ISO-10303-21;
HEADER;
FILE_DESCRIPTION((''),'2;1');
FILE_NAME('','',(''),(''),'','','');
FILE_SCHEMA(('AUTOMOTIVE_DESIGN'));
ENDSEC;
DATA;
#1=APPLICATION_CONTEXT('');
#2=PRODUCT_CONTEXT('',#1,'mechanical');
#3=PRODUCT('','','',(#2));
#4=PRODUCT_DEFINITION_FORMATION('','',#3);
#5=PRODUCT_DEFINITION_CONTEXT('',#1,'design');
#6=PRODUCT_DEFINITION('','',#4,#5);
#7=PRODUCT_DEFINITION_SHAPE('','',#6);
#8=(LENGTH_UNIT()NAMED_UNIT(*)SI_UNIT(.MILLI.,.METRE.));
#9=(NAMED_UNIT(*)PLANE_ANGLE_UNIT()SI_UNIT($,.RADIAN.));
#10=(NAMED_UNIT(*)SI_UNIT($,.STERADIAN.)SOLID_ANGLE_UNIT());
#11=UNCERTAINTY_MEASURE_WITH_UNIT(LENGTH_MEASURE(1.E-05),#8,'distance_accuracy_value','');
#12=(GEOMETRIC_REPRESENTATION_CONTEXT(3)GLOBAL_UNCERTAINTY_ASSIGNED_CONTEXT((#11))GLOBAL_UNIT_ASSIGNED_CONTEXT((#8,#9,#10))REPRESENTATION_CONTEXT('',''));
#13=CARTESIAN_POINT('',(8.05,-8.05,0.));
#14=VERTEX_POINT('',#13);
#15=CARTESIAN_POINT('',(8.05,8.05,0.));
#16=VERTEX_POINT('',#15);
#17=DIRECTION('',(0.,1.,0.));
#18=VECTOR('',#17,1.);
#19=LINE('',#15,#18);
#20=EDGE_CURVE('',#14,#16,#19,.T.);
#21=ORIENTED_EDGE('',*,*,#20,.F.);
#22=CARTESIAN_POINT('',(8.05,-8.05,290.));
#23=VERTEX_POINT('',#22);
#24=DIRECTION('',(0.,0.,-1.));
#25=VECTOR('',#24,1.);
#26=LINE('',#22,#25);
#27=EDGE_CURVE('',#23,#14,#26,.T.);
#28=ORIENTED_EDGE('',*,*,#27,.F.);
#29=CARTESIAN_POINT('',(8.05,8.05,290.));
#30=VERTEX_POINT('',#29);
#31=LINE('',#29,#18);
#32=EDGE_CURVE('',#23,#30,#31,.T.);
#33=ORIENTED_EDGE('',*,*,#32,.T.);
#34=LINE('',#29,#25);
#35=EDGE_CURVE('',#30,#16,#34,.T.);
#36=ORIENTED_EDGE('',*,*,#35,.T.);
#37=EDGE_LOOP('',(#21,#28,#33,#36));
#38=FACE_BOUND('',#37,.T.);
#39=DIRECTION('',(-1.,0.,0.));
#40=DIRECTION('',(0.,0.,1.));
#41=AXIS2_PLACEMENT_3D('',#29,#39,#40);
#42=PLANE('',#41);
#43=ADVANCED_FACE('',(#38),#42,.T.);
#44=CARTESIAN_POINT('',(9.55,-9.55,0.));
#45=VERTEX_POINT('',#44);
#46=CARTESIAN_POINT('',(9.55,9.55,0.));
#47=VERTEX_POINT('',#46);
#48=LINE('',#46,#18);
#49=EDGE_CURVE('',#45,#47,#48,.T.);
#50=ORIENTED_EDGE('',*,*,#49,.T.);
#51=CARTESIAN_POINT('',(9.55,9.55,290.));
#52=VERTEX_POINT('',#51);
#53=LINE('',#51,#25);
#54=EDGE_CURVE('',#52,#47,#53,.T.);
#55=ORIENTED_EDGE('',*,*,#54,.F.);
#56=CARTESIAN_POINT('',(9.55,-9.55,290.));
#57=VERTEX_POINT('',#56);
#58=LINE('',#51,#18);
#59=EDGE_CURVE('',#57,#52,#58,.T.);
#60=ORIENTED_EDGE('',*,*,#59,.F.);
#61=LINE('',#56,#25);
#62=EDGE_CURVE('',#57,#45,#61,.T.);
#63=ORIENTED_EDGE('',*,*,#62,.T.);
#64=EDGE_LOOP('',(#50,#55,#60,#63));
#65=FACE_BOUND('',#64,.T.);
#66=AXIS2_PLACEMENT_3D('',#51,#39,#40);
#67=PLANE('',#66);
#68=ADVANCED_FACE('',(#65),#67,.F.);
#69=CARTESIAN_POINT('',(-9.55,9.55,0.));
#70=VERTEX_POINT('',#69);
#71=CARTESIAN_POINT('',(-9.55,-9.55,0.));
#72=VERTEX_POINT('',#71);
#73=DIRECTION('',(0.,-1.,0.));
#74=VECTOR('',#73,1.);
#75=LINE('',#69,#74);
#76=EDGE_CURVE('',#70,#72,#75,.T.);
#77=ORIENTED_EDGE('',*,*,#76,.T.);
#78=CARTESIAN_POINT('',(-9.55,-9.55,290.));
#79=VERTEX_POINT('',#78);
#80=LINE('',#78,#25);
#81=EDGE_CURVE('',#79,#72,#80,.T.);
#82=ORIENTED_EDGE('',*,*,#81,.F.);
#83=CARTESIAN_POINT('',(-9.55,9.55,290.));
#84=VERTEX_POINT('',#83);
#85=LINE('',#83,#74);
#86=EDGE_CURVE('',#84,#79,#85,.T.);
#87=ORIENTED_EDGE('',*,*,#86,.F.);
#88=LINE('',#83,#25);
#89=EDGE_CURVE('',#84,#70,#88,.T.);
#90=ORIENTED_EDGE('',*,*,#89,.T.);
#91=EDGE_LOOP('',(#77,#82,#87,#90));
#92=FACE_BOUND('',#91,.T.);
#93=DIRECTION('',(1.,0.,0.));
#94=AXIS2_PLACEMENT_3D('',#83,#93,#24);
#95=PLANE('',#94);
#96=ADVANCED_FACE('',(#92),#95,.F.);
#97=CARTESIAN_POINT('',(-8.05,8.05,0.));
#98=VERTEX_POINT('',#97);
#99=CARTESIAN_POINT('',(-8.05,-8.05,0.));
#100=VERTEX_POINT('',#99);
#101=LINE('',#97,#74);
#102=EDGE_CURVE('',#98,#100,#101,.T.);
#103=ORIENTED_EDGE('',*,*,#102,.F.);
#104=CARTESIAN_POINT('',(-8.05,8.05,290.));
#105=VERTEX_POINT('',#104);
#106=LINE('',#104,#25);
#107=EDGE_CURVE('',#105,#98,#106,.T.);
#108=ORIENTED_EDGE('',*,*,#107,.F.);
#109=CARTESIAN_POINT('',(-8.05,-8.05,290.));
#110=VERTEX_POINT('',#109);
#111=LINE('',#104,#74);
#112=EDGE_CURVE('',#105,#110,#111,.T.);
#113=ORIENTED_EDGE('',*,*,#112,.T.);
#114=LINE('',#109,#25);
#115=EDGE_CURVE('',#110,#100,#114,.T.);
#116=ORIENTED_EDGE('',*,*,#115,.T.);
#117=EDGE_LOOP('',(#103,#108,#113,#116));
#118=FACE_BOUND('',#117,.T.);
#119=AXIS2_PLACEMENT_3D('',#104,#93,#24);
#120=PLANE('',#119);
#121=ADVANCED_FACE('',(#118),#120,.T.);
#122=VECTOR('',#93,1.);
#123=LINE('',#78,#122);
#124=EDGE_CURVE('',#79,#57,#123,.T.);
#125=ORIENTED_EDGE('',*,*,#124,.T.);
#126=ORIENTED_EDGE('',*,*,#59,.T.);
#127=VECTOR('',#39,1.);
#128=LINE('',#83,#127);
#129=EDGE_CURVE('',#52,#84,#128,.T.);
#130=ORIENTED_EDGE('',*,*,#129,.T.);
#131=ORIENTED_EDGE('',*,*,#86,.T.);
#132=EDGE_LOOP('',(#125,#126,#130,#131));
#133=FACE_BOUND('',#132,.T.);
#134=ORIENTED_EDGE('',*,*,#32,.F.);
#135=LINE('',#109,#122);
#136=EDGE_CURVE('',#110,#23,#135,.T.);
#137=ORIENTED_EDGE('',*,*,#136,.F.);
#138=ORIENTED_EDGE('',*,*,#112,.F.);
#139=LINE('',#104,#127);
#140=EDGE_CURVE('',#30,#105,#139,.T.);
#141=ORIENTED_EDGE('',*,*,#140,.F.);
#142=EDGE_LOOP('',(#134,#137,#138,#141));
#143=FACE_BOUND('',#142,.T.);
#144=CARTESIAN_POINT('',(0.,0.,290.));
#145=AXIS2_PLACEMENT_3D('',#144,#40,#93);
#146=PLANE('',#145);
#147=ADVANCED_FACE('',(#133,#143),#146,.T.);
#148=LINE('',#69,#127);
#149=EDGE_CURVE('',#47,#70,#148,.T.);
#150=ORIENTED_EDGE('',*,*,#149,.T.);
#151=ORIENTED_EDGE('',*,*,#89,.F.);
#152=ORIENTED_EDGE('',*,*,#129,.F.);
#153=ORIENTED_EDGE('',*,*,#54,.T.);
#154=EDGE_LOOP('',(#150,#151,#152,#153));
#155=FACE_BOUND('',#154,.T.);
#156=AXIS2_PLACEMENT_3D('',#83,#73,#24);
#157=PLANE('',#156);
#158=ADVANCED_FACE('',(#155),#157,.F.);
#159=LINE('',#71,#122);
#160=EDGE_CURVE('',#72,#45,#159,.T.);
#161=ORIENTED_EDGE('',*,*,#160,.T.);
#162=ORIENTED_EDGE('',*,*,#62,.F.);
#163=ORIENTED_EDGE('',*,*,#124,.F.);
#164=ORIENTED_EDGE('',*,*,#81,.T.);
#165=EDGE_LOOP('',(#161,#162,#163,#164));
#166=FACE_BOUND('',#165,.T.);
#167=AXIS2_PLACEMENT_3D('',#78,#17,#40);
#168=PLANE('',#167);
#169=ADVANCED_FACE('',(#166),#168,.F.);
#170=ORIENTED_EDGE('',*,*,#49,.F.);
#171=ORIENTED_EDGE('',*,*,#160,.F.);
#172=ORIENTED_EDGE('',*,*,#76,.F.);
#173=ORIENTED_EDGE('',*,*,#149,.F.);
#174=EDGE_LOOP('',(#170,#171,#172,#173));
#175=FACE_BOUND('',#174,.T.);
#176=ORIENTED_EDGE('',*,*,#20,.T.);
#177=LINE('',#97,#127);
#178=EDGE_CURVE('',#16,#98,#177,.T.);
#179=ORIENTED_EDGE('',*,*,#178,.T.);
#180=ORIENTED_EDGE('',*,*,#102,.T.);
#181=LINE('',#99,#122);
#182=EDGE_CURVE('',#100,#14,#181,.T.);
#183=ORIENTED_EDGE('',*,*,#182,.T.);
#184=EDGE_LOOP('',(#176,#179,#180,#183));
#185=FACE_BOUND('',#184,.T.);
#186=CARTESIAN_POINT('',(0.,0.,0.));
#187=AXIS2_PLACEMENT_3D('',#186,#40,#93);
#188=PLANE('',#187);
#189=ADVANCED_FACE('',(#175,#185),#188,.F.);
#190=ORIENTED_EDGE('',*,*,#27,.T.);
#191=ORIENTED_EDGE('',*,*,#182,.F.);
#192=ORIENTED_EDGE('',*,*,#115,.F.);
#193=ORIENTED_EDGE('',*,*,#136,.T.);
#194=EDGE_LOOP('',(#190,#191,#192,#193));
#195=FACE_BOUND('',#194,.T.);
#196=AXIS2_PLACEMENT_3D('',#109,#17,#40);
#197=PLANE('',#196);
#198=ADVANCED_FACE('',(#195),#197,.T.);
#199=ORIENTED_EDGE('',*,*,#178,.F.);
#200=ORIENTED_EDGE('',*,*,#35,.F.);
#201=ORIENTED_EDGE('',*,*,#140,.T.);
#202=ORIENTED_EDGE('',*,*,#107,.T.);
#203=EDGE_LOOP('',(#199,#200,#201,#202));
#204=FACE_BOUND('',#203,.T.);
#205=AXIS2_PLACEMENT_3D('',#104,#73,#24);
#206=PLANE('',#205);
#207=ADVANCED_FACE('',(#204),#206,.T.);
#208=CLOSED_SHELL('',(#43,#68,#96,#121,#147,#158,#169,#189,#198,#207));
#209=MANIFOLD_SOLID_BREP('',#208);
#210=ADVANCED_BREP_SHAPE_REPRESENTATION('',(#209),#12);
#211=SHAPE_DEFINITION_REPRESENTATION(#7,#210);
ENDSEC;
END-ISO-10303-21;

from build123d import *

# Parameters (mm, degrees)
SKETCH1_W           = 19.1
SKETCH1_H           = 19.1
SKETCH1_W_2         = 16.1
SKETCH1_H_2         = 16.1
BOSS_EXTRUDE1_DEPTH = 290


with BuildPart() as part:
    # Sketch1 → Boss-Extrude1 (new body)
    with BuildSketch(Plane.XY):
        Rectangle(SKETCH1_W, SKETCH1_H)
        Rectangle(SKETCH1_W_2, SKETCH1_H_2, mode=Mode.SUBTRACT)
    extrude(amount=BOSS_EXTRUDE1_DEPTH)


solid = part.part
